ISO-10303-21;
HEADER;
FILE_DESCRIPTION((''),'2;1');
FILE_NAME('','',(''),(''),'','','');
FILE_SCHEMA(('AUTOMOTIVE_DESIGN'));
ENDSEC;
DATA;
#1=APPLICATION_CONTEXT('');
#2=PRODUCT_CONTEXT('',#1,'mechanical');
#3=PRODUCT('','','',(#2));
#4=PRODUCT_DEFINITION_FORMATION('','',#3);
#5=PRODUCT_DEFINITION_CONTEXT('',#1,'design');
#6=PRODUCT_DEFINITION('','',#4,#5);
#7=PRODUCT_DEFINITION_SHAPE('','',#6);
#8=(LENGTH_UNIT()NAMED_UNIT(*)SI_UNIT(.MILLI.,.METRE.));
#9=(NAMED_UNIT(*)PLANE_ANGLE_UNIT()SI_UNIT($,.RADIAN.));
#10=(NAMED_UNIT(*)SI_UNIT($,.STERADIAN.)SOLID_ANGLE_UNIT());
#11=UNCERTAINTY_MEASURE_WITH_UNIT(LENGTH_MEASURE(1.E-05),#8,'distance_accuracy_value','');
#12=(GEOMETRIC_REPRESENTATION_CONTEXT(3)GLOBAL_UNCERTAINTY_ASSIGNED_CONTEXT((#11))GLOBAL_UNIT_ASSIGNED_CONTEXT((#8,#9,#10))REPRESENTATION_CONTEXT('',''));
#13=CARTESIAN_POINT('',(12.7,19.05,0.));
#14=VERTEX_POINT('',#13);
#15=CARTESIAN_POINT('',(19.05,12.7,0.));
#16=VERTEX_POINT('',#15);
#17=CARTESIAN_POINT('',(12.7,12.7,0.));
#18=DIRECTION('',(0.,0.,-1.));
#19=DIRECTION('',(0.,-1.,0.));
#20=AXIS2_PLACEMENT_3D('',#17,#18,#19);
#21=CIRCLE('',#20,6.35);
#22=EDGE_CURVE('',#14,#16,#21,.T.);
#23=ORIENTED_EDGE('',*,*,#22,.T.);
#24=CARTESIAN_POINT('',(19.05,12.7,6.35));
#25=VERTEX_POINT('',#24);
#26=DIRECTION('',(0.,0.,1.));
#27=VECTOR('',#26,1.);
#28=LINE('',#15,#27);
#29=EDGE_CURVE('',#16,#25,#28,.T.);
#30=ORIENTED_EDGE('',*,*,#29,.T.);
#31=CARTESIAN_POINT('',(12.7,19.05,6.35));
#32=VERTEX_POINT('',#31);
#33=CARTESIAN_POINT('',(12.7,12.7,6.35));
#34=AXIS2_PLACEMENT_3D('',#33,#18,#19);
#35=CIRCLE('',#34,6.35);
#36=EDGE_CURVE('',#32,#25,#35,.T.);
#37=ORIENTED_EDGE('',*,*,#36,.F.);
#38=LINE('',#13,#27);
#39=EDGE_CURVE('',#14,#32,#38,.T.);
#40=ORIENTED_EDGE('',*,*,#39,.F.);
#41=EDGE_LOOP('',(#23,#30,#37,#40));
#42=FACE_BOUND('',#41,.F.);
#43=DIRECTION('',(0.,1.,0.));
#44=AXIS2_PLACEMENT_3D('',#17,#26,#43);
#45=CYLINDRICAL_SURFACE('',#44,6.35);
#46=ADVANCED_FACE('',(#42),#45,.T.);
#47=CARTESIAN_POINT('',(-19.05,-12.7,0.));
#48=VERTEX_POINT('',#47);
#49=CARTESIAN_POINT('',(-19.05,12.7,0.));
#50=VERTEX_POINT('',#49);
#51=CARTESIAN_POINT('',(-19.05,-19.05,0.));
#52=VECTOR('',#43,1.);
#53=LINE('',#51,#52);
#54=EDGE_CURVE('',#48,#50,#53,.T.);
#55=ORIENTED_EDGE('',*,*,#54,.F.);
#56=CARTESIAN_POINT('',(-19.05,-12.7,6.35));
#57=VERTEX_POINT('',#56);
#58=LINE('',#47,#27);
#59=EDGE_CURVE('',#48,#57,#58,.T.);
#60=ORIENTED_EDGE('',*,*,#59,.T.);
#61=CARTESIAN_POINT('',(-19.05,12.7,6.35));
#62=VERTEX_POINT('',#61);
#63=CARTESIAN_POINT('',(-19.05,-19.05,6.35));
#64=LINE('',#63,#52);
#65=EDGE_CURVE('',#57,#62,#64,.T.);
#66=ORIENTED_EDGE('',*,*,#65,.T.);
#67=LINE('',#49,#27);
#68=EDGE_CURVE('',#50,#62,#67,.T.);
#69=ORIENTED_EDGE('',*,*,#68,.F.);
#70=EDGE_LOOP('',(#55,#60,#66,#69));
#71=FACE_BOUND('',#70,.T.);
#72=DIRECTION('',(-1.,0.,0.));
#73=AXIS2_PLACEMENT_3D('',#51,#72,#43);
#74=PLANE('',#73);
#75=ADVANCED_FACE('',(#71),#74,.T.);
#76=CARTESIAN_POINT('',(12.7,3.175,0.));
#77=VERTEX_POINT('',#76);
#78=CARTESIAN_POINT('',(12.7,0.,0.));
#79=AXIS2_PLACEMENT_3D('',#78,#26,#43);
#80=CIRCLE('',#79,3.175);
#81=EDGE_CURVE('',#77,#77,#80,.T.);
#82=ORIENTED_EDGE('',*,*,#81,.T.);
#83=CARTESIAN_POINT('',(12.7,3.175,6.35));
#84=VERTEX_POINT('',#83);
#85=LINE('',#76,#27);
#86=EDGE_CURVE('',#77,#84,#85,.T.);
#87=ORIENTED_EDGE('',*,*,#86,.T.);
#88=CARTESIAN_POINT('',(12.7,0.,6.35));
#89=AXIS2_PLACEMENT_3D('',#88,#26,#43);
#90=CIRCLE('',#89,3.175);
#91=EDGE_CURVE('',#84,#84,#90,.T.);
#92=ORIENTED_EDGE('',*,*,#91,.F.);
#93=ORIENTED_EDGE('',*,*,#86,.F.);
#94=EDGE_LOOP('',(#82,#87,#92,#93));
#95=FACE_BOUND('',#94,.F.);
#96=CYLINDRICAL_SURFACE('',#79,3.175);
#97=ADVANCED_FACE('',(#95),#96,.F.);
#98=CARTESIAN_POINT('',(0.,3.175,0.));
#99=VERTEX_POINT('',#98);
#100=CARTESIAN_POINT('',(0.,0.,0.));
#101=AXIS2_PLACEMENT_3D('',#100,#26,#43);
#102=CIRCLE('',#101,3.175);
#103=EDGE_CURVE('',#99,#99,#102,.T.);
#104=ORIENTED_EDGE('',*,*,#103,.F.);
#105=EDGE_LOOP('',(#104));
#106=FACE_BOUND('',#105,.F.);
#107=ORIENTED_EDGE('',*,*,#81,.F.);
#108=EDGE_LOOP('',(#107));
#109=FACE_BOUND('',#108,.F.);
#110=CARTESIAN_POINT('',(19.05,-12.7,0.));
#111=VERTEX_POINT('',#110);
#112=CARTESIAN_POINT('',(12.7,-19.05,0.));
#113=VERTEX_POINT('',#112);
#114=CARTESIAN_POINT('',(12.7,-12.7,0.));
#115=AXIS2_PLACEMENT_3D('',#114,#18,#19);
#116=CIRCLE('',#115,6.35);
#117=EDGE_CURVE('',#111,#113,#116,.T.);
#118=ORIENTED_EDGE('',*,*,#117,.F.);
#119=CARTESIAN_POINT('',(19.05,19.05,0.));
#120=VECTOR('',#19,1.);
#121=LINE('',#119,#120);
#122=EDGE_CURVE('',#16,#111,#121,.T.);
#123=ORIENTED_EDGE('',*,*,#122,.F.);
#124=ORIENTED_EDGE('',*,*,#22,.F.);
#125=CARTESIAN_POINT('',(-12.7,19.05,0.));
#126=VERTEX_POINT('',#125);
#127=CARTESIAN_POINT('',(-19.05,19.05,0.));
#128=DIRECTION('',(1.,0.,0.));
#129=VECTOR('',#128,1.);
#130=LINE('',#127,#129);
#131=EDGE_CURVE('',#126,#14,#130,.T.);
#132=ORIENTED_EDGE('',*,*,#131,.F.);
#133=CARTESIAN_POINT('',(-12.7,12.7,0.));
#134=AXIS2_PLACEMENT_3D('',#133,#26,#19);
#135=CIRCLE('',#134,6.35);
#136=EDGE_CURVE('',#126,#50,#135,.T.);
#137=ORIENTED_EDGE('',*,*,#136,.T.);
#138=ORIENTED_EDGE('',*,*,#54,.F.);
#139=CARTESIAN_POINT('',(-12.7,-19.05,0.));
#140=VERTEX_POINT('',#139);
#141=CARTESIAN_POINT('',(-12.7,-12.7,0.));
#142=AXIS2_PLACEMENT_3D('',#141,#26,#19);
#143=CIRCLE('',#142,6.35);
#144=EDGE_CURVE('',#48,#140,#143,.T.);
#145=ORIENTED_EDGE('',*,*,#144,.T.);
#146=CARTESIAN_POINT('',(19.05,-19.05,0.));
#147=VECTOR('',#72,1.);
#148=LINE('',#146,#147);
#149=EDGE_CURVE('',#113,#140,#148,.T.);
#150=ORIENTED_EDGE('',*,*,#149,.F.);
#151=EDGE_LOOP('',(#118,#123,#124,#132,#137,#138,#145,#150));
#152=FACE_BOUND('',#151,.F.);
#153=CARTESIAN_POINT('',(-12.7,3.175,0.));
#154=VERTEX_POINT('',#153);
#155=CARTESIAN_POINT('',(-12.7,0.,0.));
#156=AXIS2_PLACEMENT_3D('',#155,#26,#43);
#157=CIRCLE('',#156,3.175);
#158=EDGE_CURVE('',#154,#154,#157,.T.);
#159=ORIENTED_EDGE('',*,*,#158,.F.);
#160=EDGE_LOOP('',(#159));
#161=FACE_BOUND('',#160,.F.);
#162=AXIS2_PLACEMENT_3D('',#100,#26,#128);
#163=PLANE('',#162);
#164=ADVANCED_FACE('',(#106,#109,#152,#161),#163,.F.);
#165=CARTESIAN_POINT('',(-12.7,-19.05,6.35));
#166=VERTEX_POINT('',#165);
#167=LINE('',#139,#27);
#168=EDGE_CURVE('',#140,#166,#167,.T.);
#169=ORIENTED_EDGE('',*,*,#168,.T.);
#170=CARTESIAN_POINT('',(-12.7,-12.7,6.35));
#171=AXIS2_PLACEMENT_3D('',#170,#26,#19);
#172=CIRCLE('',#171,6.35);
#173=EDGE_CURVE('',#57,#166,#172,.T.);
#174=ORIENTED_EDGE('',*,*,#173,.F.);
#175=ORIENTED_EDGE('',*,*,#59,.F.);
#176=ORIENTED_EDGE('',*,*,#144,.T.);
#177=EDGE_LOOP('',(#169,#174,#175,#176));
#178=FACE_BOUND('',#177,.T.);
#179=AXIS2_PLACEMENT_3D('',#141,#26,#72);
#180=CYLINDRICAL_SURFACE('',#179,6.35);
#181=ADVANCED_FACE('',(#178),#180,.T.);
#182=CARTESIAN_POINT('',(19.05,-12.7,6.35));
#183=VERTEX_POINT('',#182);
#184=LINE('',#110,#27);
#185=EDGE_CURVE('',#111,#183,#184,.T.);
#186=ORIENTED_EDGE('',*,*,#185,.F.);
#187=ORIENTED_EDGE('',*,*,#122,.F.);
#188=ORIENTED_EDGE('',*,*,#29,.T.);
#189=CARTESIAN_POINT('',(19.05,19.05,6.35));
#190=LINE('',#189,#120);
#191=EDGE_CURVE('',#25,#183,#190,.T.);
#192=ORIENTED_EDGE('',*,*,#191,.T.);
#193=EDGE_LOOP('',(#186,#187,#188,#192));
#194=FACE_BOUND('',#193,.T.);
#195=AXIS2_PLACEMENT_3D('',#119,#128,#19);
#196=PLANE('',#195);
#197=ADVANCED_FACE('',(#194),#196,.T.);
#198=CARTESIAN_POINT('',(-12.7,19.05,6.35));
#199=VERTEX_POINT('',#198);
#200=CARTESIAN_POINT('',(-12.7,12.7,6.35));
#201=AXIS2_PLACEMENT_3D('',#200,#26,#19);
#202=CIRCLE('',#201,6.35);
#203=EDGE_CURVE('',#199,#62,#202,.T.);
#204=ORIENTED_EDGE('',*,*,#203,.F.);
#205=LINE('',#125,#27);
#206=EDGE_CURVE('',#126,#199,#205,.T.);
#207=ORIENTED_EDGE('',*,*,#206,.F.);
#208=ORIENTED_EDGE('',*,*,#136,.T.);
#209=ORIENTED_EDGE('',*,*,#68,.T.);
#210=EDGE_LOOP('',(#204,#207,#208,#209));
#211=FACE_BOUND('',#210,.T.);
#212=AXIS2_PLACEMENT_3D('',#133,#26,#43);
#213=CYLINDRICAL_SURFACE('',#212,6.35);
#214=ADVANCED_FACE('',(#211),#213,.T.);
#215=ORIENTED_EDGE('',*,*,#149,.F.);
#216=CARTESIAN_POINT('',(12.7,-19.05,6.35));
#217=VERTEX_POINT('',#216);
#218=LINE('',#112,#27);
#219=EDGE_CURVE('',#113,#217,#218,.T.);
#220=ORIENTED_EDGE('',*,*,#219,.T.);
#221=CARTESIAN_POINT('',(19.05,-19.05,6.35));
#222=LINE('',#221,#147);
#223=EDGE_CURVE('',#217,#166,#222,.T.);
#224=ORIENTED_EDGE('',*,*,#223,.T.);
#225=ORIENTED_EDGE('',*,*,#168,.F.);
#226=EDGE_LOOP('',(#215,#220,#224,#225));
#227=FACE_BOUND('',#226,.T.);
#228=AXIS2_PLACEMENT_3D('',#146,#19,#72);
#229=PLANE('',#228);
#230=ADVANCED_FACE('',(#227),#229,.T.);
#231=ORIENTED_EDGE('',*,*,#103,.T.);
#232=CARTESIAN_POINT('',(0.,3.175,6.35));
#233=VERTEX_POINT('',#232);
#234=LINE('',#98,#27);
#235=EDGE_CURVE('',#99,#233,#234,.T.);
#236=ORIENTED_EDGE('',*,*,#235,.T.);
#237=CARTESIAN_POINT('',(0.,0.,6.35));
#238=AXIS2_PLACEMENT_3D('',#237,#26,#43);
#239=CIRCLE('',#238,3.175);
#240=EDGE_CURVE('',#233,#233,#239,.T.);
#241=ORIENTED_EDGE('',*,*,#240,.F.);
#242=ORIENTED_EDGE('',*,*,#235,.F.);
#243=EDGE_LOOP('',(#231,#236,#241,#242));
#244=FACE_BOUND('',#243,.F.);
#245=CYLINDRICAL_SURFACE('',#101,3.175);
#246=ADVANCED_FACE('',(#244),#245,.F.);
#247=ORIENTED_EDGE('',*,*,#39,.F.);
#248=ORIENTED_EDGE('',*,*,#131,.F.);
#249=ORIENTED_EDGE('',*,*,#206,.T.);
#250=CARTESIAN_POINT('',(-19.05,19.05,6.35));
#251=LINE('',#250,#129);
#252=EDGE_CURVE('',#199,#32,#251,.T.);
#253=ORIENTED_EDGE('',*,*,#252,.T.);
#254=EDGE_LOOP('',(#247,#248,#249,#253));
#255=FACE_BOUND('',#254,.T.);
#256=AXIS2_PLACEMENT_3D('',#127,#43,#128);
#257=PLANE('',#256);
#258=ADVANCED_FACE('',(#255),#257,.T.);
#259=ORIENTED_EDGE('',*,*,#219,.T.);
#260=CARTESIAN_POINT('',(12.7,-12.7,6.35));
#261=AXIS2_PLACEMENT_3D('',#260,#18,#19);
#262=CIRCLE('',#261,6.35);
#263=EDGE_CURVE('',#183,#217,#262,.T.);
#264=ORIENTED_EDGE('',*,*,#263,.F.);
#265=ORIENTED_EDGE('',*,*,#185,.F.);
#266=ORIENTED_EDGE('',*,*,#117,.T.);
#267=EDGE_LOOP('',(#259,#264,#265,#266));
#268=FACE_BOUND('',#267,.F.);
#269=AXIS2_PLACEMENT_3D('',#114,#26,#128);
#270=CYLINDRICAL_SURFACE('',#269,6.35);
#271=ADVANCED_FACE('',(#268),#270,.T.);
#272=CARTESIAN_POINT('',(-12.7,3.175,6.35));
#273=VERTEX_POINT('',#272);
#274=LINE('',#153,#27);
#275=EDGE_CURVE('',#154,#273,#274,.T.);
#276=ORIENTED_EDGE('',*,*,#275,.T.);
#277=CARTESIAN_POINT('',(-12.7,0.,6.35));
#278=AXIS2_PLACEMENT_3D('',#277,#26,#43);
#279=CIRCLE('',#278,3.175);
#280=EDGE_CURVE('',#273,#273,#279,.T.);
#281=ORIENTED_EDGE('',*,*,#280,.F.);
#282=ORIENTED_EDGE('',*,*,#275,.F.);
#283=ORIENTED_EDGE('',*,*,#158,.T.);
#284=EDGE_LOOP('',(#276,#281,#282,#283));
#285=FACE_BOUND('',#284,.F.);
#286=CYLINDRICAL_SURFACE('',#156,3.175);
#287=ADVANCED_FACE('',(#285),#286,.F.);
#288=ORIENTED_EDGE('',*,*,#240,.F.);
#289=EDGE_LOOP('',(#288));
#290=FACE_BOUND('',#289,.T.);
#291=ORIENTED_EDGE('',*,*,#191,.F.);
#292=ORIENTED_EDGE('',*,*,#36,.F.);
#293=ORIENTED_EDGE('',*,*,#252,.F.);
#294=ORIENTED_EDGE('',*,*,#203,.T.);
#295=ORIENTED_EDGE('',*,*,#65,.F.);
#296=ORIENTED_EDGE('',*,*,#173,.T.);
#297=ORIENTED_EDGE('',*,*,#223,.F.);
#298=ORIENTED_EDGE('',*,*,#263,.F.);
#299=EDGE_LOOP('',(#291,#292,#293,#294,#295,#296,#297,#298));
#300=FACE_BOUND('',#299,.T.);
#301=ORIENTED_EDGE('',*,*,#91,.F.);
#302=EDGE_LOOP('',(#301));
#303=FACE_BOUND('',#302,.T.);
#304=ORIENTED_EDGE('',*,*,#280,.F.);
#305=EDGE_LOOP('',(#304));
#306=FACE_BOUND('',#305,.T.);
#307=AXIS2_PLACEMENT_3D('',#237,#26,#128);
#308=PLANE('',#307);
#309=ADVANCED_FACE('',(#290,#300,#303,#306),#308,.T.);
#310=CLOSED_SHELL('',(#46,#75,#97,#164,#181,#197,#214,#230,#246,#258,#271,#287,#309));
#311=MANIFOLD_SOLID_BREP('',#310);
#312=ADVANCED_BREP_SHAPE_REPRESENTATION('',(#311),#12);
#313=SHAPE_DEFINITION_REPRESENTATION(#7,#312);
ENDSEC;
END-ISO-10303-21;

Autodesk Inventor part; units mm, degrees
ref_plane "YZ Plane" through (0, 0, 0) normal (1, 0, 0) x (0, 1, 0)
ref_plane "XZ Plane" through (0, 0, 0) normal (0, 1, 0) x (-1, 0, 0)
ref_plane "XY Plane" through (0, 0, 0) normal (0, 0, 1) x (1, 0, 0)
sketch "Sketch1" plane through (0, 0, 0) normal (0, 0, 1) x (1, 0, 0)
  line L0 (-19.05, 19.05) -> (19.05, 19.05)
  line L1 (19.05, 19.05) -> (19.05, -19.05)
  line L2 (19.05, -19.05) -> (-19.05, -19.05)
  line L3 (-19.05, -19.05) -> (-19.05, 19.05)
  line L4 (0, 19.05) -> (0, -19.05) construction
  line L5 (-19.05, 0) -> (19.05, 0) construction
  point P0 (0, 0)
  point P1 (0, 0)
  dimension "d0" = 38.1
  dimension "d1" = 38.1
extrude "Extrusion1" add sketch "Sketch1" along normal blind 6.35
sketch "Sketch2" plane through (0, 0, 0) normal (0, 0, 1) x (1, 0, 0)
  point P0 (0, 0)
  point P1 (0, 0)
  point P2 (-12.7, 0)
  point P3 (12.7, 0)
  dimension "d4" = 12.7
  dimension "d5" = 12.7
hole "Hole1" at (0, 0, 0) at (-12.7, 0, 0) at (12.7, 0, 0) direction (0, 0, 1) diameter 6.35 end through all
fillet "Fillet1" radius 6.35 4 edges at (19.05, -19.05, 3.175) (19.05, 19.05, 3.175) (-19.05, 19.05, 3.175) (-19.05, -19.05, 3.175)
properties part number "J005646"
